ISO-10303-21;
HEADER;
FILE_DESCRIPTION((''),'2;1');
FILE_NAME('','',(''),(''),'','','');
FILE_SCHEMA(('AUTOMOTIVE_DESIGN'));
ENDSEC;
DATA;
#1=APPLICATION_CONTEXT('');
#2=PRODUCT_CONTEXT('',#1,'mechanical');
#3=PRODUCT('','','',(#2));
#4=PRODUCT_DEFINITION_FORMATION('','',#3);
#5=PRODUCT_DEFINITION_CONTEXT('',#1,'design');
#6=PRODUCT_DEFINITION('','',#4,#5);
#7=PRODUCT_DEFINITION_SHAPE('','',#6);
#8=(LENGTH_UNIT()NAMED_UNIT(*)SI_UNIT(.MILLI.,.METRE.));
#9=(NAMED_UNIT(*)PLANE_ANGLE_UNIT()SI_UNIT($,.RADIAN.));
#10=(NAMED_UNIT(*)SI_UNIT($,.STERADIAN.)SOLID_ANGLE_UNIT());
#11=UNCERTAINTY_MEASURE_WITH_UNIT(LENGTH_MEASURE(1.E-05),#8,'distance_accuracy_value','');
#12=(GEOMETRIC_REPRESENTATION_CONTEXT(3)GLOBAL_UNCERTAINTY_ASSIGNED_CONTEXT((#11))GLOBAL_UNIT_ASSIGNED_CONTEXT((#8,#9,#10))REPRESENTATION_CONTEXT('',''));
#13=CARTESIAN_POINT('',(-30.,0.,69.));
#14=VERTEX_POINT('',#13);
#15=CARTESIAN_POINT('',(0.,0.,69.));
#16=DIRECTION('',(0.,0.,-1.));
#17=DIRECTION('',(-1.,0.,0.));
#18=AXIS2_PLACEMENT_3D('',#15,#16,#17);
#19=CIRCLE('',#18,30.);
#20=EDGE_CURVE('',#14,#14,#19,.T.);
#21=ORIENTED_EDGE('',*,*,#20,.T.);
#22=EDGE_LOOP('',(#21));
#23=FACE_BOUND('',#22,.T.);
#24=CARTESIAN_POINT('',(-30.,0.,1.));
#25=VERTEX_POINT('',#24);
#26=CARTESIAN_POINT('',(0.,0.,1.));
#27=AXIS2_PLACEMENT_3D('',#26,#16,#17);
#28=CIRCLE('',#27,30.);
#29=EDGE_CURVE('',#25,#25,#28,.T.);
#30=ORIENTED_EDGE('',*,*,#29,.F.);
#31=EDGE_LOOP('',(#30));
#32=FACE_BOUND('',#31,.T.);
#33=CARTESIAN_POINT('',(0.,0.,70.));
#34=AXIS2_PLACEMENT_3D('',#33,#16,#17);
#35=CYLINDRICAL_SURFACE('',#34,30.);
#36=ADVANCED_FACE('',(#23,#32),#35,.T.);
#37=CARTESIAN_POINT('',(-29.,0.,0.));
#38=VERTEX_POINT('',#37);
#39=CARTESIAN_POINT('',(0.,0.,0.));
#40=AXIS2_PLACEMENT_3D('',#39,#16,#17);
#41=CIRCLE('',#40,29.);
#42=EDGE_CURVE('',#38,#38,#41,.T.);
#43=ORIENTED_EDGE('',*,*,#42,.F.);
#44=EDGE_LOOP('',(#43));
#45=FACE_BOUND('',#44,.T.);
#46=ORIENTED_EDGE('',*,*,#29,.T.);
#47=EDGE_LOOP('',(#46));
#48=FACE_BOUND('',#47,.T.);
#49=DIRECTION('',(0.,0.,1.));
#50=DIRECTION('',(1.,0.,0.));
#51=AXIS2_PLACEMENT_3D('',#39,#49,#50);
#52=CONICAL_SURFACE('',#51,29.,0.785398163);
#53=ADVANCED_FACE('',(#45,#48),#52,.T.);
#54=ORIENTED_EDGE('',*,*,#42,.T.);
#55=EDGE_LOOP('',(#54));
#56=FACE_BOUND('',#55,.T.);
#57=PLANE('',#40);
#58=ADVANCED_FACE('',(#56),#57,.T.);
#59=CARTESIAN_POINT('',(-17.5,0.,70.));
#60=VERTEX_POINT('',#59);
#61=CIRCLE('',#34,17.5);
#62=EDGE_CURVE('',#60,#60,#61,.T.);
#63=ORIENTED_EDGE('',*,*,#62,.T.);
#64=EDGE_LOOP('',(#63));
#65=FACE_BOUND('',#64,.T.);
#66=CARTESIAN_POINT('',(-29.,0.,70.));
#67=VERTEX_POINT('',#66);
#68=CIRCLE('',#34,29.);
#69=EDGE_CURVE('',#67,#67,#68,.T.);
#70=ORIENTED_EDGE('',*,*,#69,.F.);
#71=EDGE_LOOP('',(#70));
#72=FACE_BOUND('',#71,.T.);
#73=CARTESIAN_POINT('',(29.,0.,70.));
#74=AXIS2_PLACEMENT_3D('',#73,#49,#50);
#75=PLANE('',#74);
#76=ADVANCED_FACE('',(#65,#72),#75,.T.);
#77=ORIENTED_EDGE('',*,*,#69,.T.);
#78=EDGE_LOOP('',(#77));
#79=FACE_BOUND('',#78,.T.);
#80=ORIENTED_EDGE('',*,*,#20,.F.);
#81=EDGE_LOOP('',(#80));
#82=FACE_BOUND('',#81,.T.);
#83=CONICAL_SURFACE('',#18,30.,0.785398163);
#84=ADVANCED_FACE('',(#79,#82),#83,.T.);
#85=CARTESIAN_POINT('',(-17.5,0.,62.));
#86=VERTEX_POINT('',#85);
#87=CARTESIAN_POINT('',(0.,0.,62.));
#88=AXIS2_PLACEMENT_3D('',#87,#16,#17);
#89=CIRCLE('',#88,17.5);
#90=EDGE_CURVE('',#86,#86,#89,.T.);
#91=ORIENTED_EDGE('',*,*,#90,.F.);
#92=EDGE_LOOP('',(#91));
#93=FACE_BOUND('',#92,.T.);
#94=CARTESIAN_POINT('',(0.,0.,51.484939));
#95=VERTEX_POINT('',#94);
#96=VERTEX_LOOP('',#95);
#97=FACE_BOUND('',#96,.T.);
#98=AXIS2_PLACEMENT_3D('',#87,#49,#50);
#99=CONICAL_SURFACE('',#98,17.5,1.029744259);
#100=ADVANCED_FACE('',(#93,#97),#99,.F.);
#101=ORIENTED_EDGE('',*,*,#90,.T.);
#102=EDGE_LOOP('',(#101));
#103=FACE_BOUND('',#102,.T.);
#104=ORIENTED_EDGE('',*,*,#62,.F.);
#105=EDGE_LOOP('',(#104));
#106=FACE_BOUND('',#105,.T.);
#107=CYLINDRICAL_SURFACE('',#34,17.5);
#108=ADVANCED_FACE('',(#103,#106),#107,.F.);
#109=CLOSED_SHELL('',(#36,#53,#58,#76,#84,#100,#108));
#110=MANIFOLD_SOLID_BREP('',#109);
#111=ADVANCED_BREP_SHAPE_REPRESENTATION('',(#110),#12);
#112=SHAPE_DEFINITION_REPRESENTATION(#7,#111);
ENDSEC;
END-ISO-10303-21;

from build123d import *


with BuildPart() as part:
    # Esquisse1 → Révolution1 (revolve)
    with BuildSketch(Plane.XZ, mode=Mode.PRIVATE) as r_volution1_sk:
        Polygon((17.5, 62), (0, 51.484939167), (0, 0), (29, 0), (30, 1), (30, 69), (29, 70), (17.5, 70), align=None)
    revolve(r_volution1_sk.sketch.rotate(Axis((0, 0, 70), (0, 0, -1)), 180), axis=Axis((0, 0, 70), (0, 0, -1)))


solid = part.part
